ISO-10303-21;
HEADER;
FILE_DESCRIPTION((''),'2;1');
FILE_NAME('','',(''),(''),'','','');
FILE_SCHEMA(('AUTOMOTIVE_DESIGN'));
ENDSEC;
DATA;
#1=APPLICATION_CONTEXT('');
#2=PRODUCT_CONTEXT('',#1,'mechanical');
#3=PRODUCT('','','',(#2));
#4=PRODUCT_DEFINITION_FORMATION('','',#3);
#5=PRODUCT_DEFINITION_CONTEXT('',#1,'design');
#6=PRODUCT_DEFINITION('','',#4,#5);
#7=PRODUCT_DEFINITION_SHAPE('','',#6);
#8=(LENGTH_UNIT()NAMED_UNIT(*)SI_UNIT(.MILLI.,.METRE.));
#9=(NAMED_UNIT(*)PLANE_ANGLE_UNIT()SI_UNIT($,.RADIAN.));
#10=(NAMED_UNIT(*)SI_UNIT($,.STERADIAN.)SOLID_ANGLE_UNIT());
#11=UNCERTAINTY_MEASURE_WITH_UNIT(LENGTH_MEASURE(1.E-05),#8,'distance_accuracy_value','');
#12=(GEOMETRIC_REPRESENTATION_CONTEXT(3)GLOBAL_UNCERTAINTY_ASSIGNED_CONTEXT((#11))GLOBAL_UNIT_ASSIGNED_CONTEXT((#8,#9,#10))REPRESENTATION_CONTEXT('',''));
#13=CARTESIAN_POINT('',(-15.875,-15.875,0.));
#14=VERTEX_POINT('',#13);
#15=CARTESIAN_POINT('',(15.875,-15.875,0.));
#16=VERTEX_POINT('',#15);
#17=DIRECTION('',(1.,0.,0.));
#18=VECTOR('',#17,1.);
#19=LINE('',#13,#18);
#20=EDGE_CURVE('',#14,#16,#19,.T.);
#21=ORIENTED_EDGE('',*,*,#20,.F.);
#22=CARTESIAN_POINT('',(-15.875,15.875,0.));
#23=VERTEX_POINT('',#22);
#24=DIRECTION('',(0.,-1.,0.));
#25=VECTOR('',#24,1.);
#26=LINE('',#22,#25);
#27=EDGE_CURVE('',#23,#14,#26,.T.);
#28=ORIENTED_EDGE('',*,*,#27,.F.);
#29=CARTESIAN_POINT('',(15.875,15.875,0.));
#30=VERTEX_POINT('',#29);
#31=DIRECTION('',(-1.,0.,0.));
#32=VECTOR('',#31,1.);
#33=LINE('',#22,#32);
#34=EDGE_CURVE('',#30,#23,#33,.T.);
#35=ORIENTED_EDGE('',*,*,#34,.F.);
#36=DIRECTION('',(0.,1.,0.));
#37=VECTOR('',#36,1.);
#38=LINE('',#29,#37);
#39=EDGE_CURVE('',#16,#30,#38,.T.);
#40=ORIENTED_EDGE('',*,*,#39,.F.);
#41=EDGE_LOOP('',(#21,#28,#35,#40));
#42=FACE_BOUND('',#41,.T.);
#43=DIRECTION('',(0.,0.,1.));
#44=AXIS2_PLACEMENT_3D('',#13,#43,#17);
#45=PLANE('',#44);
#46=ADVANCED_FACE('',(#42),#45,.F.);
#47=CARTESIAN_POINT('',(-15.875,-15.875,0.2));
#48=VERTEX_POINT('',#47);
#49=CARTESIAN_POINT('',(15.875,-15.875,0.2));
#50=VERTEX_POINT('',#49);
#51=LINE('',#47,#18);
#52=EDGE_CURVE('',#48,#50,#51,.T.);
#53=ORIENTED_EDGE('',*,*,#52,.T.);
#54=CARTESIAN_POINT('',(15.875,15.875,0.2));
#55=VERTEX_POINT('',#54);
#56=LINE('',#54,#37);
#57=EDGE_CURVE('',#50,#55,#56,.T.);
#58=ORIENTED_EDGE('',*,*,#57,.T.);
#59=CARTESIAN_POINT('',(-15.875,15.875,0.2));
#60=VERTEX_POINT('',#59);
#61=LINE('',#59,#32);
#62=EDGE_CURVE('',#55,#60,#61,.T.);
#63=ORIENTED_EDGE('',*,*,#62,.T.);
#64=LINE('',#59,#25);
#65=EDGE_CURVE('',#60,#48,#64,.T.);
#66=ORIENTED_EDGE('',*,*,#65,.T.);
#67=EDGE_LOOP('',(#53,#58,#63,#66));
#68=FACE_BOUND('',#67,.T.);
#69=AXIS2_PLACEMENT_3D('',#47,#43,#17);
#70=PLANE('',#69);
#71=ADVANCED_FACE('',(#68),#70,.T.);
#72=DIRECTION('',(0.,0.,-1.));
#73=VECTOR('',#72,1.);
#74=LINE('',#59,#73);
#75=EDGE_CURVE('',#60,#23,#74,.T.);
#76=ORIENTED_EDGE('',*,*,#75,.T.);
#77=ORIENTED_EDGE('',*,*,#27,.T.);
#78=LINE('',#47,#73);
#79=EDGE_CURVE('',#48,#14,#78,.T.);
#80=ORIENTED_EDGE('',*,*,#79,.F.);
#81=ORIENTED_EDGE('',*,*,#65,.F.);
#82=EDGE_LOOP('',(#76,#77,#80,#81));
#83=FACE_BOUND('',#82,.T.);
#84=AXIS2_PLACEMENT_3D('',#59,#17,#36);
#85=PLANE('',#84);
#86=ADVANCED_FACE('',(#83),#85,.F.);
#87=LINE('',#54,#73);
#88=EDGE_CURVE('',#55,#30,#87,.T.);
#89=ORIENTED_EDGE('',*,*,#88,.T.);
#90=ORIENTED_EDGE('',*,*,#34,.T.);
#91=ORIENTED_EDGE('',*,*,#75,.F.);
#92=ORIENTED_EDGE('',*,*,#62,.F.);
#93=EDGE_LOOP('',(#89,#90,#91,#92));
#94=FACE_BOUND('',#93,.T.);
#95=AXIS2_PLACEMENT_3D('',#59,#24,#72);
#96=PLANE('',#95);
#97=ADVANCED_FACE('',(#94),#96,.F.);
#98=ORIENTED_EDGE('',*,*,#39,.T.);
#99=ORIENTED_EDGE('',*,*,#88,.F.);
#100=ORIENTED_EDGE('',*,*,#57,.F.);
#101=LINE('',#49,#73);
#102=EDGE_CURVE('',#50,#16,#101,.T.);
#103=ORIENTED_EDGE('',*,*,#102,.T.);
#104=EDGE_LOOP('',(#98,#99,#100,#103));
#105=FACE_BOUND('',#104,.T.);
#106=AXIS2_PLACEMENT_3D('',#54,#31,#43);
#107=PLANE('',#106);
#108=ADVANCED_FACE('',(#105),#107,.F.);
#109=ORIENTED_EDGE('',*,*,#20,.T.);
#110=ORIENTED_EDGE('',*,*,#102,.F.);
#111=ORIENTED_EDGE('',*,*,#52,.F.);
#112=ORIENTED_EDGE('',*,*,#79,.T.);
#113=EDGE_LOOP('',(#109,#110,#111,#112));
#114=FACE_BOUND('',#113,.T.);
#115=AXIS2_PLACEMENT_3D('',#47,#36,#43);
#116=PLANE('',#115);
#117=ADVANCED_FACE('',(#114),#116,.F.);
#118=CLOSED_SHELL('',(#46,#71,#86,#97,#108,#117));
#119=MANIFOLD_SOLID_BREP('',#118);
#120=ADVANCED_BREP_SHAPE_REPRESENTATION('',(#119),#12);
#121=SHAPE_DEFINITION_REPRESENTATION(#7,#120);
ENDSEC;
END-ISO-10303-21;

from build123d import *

# Parameters (mm, degrees)
SKETCH1_W      = 31.75
SKETCH1_H      = 31.75
EXTRUDE1_DEPTH = 0.2


with BuildPart() as part:
    # Sketch1 → Extrude1 (new body)
    with BuildSketch(Plane.XY):
        Rectangle(SKETCH1_W, SKETCH1_H)
    extrude(amount=EXTRUDE1_DEPTH)


solid = part.part
